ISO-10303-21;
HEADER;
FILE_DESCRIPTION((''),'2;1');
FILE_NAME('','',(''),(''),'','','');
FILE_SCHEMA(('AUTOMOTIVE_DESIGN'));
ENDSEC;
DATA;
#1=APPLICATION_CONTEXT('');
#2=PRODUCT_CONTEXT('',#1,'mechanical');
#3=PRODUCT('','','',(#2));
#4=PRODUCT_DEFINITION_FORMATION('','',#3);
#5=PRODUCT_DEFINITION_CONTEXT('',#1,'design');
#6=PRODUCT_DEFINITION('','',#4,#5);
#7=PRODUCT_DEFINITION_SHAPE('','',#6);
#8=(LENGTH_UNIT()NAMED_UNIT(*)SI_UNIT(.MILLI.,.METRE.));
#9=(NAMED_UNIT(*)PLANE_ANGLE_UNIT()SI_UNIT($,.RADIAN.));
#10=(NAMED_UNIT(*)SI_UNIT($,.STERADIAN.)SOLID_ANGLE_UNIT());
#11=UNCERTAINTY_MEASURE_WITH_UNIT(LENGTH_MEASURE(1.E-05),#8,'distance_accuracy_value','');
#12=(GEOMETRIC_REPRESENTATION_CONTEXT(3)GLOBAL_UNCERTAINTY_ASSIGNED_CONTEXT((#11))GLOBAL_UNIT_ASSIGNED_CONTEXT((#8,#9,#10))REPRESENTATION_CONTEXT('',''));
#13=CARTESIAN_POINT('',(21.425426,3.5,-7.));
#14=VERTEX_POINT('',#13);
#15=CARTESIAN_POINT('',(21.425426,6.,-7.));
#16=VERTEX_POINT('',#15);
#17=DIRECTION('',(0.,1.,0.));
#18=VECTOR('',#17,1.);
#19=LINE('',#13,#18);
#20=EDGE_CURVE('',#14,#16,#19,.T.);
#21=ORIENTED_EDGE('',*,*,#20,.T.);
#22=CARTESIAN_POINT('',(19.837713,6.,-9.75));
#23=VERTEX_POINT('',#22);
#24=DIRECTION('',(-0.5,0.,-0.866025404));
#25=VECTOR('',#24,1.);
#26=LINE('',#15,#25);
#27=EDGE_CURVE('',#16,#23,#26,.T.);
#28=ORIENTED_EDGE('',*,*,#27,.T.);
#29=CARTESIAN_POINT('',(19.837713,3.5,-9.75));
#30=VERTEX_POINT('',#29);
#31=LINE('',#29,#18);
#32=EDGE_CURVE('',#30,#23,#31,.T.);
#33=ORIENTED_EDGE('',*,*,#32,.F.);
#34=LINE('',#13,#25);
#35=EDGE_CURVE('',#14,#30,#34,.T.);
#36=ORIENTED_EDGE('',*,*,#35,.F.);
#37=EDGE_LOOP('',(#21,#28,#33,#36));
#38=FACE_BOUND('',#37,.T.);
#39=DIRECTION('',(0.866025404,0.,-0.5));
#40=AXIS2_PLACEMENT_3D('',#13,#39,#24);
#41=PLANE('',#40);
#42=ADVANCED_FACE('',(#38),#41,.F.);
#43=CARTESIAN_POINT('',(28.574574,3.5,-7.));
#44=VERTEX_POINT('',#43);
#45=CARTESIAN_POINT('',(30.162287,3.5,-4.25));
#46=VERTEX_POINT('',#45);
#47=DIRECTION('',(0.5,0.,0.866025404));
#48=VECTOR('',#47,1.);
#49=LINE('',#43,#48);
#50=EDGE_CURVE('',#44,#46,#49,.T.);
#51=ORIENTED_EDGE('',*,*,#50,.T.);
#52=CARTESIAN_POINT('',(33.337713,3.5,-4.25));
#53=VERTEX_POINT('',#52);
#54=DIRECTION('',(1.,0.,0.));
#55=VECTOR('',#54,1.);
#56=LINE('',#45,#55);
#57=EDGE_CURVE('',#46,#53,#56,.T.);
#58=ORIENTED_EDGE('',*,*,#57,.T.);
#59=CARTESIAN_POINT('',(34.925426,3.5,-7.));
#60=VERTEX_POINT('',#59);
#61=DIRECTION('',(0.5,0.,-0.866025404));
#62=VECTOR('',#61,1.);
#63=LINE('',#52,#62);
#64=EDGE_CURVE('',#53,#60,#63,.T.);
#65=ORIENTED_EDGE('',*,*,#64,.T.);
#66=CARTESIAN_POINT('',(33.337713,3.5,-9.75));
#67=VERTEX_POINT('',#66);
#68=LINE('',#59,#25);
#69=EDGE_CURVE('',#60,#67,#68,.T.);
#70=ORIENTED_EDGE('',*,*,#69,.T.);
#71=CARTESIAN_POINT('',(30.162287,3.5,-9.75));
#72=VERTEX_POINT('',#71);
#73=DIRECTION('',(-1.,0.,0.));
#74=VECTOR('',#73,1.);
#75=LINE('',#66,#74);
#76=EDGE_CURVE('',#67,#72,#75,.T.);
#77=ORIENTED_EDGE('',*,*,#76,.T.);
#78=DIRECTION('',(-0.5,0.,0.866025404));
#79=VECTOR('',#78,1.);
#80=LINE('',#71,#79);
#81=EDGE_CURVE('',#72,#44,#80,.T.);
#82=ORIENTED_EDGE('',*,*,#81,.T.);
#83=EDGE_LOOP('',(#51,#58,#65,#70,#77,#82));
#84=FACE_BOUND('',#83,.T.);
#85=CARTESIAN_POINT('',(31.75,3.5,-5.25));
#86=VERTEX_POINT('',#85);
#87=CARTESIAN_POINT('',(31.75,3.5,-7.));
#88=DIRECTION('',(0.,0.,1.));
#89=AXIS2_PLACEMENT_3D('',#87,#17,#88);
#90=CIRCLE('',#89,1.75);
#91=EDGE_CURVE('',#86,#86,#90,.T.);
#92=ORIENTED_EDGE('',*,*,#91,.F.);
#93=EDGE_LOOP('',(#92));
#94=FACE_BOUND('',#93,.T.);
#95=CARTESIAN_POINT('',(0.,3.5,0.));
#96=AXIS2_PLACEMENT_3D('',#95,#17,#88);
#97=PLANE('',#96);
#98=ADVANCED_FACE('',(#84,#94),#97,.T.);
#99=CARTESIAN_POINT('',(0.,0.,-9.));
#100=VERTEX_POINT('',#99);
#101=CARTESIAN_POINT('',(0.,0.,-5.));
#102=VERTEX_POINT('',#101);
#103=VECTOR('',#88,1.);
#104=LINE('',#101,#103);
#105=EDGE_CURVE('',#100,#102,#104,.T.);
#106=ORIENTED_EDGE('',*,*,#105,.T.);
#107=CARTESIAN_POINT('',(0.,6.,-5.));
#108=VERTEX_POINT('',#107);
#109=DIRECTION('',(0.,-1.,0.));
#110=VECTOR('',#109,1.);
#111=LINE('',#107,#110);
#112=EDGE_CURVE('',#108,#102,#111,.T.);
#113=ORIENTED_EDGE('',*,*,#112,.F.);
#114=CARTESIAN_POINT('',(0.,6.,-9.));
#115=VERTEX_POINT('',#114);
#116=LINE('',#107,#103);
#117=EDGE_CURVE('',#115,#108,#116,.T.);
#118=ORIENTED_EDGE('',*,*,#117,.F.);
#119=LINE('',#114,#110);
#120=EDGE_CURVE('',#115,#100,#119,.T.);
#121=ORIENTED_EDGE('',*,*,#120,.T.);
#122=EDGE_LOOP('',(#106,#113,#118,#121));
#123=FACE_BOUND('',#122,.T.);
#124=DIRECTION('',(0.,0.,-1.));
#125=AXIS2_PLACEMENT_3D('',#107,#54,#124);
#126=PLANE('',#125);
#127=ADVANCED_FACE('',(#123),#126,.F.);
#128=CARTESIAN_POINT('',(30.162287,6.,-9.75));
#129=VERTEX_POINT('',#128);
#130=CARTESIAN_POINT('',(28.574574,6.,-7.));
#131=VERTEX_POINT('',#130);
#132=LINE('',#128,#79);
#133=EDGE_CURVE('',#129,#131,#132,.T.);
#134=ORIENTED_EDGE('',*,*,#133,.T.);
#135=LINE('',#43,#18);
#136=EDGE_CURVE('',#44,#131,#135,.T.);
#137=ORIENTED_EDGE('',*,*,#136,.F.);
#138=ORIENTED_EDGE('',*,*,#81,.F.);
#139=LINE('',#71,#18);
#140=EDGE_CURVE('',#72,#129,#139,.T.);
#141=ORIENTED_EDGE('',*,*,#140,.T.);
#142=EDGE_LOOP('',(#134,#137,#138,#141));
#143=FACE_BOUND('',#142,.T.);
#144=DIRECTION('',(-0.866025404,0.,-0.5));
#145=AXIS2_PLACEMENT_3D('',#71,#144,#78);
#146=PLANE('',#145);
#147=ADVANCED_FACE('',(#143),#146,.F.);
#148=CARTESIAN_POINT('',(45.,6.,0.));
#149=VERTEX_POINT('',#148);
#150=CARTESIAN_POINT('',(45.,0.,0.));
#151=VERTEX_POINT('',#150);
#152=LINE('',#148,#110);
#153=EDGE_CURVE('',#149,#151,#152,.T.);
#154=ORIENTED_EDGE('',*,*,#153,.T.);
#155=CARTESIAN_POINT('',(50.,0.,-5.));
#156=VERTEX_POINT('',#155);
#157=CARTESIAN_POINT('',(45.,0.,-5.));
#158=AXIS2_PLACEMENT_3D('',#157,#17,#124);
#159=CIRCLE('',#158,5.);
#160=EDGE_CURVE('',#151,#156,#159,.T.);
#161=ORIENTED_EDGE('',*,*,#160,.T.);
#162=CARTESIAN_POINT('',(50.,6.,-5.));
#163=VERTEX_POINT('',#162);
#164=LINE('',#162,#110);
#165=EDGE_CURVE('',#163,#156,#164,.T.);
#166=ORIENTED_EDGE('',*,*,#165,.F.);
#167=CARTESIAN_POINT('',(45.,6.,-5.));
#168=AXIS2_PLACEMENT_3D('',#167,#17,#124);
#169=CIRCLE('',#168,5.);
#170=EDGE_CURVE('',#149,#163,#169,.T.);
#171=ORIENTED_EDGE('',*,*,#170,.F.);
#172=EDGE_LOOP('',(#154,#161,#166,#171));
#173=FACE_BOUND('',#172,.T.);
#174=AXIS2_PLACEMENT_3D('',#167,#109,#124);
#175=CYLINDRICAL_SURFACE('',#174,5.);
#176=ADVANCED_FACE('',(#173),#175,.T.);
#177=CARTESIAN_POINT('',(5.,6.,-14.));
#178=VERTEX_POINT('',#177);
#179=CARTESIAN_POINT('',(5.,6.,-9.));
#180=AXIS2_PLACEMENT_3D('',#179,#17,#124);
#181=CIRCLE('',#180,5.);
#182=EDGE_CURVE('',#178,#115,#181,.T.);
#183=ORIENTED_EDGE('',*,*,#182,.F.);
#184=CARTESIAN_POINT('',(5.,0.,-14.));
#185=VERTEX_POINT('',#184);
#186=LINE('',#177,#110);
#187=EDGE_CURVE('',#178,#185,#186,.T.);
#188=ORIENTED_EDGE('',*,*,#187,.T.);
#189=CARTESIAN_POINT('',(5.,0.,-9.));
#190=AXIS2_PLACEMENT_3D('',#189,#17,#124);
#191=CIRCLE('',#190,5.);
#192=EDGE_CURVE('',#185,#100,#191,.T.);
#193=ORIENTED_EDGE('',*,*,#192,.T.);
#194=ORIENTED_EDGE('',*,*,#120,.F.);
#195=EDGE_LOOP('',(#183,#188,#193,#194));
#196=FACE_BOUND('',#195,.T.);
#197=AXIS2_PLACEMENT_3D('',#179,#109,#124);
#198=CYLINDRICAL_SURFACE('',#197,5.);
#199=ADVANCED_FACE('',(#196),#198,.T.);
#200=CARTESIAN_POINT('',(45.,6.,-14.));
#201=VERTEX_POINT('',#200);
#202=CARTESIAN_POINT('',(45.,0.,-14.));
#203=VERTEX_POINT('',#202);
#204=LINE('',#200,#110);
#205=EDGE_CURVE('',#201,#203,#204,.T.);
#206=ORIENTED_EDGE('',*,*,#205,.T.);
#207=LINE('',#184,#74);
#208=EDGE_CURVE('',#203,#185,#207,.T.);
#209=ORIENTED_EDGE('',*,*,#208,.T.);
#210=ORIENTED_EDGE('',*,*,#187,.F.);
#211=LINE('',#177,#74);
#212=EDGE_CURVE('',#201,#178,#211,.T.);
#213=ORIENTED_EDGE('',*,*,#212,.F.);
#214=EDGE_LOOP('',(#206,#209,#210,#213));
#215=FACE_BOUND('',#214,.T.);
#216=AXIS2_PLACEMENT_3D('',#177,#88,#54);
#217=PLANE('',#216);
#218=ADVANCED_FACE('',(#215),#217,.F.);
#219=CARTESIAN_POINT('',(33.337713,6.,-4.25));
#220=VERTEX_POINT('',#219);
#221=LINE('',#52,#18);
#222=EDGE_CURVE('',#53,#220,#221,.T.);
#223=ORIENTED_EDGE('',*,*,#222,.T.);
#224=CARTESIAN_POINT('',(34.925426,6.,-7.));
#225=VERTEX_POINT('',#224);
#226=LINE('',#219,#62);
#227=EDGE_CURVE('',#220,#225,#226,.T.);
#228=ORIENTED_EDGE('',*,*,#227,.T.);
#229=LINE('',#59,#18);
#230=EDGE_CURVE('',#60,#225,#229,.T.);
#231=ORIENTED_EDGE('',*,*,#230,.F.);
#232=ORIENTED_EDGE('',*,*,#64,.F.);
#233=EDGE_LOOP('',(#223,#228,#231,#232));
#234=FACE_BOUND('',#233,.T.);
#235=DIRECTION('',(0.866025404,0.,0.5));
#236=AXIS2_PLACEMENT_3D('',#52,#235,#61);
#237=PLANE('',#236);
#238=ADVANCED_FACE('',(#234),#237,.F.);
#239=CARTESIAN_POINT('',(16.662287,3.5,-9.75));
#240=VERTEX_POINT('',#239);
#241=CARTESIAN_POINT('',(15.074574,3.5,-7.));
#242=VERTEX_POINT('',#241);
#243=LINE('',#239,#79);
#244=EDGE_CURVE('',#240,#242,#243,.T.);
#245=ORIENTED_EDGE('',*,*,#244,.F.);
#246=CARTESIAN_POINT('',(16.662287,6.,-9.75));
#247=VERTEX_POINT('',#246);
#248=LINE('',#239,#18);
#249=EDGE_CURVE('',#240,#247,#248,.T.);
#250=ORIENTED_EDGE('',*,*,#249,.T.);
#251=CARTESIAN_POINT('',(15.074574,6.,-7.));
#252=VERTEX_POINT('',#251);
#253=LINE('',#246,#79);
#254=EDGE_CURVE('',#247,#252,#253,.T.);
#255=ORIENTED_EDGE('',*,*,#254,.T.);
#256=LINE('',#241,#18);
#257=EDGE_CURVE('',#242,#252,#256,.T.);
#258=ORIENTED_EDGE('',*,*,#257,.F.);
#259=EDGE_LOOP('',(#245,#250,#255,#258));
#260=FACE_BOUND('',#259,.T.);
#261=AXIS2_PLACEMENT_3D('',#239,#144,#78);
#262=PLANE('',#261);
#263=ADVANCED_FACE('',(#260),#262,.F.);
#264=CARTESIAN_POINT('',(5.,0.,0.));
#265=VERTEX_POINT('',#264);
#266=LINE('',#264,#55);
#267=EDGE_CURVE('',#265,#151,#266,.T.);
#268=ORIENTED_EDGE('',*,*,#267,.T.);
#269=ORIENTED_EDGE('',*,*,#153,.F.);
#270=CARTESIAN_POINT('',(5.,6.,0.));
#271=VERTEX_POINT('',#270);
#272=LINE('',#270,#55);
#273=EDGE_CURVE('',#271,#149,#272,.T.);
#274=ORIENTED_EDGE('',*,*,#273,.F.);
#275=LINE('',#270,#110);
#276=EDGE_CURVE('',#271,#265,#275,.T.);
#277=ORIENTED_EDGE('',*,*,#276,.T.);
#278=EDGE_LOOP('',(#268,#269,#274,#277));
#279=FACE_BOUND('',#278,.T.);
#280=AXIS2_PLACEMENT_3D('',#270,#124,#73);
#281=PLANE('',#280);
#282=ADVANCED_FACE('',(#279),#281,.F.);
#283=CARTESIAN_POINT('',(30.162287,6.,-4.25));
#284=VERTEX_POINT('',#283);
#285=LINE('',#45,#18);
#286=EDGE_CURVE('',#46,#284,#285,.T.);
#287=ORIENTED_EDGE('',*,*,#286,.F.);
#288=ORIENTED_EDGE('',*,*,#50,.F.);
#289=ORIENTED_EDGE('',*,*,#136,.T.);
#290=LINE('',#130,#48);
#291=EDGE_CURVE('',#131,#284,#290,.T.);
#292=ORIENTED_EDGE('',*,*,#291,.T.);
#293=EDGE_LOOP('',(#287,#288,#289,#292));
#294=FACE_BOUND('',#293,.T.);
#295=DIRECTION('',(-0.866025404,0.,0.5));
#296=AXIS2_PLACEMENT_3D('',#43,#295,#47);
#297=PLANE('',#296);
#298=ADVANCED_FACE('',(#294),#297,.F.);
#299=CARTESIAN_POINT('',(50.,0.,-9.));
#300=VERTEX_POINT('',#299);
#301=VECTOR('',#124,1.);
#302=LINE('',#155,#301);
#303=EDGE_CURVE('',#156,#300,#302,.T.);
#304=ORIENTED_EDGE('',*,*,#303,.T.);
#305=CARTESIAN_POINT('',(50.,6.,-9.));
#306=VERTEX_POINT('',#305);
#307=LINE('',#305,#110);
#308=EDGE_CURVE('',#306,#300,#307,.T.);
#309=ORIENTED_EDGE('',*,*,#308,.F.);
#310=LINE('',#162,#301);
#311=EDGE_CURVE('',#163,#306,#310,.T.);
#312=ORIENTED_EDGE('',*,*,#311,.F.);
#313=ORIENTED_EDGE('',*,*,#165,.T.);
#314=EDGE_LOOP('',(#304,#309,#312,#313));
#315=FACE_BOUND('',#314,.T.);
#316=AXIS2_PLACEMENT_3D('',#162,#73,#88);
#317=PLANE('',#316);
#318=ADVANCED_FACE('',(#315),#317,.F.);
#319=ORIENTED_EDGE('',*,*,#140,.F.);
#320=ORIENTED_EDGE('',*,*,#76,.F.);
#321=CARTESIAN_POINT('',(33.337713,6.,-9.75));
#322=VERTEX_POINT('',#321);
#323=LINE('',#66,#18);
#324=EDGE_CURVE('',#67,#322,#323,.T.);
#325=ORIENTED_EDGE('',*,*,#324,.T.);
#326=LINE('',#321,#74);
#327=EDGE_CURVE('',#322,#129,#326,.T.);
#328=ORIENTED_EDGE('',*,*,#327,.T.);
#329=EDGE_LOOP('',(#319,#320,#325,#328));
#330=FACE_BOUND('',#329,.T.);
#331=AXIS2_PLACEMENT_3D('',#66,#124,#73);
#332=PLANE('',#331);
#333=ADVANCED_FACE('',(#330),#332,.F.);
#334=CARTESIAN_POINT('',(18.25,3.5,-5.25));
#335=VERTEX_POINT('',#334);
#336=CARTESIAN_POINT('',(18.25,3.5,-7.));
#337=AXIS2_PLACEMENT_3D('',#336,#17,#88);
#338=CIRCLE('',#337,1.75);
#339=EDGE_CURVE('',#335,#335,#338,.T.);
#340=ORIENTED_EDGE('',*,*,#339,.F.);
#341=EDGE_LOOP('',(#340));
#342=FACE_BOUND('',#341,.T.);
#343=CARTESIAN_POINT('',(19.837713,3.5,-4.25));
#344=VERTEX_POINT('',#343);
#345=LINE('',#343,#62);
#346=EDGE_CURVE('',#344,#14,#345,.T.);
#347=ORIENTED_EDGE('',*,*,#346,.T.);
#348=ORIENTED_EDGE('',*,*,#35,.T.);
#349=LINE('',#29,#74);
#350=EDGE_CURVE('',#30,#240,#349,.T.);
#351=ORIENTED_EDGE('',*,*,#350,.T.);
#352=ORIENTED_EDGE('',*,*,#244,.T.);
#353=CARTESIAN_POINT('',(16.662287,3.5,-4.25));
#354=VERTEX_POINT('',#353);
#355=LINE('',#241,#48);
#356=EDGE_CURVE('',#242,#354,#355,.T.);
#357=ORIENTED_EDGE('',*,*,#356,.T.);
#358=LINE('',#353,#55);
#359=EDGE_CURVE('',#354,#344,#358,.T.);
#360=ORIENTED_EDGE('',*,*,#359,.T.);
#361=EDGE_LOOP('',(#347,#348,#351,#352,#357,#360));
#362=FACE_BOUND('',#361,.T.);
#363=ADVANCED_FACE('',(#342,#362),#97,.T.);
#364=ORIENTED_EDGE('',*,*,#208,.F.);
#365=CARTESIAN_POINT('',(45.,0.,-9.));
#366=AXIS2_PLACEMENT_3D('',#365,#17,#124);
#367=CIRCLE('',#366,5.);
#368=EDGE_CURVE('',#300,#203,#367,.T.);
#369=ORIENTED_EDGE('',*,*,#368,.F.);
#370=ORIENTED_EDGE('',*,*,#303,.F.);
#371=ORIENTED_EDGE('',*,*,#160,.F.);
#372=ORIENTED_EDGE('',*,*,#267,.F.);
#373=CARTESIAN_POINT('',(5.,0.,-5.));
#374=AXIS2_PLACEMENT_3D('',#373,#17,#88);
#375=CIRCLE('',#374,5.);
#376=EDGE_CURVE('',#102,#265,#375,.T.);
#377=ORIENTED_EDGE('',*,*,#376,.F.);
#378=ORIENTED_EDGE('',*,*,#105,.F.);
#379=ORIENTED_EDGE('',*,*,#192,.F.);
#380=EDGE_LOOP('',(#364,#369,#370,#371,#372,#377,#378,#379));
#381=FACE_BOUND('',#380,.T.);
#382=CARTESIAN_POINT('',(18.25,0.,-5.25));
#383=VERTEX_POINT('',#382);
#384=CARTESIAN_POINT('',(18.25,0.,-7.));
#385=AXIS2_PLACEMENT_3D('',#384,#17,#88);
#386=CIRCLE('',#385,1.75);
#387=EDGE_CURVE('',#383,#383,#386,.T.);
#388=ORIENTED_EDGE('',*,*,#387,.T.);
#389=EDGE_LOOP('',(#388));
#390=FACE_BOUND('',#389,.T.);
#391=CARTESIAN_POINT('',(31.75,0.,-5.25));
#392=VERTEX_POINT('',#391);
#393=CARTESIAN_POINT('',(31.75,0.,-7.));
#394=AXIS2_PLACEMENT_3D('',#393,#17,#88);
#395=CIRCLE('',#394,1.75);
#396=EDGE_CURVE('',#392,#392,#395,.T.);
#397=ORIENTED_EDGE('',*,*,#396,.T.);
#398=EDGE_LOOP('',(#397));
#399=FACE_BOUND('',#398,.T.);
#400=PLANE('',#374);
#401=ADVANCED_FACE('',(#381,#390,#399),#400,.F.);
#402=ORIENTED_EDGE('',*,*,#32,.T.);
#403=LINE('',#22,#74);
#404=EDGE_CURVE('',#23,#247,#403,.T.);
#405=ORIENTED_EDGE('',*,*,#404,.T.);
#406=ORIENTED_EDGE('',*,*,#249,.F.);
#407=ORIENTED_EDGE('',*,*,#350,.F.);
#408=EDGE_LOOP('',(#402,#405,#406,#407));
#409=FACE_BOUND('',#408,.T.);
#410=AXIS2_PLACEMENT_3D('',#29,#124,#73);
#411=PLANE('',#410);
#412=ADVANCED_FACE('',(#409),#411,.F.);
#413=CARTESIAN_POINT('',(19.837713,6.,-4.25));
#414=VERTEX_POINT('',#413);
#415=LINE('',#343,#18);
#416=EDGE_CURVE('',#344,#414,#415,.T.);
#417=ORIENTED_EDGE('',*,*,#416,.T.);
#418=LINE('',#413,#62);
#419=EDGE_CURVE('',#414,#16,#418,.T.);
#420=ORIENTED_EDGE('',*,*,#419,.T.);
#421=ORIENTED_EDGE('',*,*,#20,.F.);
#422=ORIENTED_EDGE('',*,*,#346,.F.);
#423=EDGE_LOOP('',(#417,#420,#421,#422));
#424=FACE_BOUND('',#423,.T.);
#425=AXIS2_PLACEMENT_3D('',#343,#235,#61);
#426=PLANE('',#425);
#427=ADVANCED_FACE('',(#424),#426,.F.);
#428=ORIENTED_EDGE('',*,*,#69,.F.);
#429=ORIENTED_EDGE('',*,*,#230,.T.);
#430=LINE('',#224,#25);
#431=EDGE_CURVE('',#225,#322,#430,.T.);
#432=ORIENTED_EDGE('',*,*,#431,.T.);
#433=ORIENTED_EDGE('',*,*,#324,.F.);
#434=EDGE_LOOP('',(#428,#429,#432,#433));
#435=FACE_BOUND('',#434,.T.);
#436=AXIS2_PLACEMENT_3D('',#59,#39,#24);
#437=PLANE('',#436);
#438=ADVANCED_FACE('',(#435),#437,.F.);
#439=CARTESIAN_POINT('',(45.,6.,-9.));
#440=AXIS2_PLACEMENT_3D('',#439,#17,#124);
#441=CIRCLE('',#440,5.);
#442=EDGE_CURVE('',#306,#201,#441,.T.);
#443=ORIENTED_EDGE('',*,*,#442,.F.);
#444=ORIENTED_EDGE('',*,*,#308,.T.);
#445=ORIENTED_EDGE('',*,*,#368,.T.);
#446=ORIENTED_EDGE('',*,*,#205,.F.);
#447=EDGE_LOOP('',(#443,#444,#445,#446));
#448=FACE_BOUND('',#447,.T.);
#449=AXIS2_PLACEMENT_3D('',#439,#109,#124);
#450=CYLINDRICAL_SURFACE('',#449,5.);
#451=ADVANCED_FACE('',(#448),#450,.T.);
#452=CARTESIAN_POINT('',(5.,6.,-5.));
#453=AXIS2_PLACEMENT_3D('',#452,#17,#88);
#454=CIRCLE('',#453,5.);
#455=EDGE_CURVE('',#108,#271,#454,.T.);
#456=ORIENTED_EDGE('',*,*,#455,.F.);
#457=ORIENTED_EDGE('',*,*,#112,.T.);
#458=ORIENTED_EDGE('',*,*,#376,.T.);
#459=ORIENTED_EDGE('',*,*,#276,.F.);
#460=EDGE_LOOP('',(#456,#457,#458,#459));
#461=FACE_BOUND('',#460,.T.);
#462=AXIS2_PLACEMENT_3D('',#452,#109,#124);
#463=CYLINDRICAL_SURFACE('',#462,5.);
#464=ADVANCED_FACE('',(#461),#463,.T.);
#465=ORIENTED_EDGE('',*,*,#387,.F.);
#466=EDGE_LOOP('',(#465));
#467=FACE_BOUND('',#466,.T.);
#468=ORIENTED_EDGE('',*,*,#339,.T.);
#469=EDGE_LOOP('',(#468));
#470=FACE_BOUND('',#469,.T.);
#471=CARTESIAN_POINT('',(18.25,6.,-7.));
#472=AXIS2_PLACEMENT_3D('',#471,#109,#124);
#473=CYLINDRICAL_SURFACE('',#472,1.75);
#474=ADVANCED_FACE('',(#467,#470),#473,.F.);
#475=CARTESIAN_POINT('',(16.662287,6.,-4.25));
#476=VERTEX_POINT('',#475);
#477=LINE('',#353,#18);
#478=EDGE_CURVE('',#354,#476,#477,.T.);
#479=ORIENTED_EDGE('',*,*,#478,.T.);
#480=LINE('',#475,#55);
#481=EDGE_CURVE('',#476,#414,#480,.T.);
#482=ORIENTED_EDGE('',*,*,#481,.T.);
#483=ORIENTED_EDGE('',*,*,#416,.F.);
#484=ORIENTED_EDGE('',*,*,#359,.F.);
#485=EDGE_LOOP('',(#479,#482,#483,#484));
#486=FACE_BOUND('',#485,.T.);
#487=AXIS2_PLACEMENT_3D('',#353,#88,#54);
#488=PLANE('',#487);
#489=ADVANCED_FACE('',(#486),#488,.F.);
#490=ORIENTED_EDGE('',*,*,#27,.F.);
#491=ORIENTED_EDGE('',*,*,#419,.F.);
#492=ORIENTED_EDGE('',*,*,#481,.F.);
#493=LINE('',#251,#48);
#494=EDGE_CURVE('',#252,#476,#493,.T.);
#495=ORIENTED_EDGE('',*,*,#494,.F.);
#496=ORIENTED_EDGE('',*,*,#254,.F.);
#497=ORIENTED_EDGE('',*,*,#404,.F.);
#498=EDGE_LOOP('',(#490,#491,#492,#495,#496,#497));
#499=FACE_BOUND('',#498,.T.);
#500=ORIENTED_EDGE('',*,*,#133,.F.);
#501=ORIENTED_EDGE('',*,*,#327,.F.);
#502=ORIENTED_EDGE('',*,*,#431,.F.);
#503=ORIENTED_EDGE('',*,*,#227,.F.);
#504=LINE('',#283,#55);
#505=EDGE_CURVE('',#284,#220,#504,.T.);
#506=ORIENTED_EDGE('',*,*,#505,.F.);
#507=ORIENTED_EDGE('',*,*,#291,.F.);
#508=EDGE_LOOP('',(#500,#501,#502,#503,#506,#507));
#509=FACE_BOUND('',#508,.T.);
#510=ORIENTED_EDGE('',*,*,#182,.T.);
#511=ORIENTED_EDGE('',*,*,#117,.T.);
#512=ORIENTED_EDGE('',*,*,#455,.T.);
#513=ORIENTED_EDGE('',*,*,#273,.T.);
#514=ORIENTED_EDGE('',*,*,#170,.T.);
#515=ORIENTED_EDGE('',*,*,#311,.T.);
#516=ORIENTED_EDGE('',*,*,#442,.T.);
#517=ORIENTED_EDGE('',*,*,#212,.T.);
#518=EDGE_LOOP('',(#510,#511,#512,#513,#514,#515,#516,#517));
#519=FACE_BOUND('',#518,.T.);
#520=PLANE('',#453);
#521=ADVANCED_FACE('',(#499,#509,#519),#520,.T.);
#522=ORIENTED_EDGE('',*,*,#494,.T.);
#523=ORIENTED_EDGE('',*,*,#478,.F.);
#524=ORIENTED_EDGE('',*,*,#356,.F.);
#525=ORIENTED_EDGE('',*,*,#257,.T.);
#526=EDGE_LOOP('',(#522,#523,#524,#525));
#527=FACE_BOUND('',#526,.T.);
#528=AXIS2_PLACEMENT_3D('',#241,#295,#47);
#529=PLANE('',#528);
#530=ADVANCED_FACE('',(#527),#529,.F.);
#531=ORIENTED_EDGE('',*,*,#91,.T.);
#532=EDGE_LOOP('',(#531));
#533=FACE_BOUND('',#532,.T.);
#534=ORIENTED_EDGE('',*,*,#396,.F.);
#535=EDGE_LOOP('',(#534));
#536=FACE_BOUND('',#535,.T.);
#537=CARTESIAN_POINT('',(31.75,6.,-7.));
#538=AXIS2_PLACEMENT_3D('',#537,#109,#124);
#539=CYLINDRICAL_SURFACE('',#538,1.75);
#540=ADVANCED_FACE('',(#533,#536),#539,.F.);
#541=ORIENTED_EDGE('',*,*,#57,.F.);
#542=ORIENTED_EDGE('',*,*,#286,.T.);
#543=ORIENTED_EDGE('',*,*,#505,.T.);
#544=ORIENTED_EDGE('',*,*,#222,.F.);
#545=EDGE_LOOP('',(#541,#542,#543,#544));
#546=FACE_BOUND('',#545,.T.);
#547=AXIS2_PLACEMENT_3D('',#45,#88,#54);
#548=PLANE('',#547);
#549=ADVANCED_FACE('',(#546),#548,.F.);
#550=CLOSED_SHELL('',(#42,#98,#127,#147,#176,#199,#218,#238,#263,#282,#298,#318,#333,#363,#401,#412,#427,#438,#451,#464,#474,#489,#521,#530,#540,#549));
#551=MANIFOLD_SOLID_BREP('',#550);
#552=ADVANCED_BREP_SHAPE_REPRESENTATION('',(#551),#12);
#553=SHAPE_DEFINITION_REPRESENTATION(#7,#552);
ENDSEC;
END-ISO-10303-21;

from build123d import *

# Parameters (mm, degrees)
SKETCH1_R           = 1.75
BOSS_EXTRUDE1_DEPTH = 6
CUT_EXTRUDE1_DEPTH  = 2.5


with BuildPart() as part:
    # Sketch1 → Boss-Extrude1 (new body)
    with BuildSketch(Plane(origin=(0, 0, 0), x_dir=(1, 0, 0), z_dir=(0, 1, 0))):
        with BuildLine():
            Line((5, 0), (45, 0))
            ThreePointArc((45, 0), (48.535533906, 1.464466094), (50, 5))
            Line((50, 5), (50, 9))
            ThreePointArc((50, 9), (48.535533906, 12.535533906), (45, 14))
            Line((45, 14), (5, 14))
            ThreePointArc((5, 14), (1.464466094, 12.535533906), (0, 9))
            Line((0, 9), (0, 5))
            ThreePointArc((0, 5), (1.464466094, 1.464466094), (5, 0))
        make_face()
        with Locations((18.25, 7)):
            Circle(SKETCH1_R, mode=Mode.SUBTRACT)
        with Locations((31.75, 7)):
            Circle(SKETCH1_R, mode=Mode.SUBTRACT)
    extrude(amount=BOSS_EXTRUDE1_DEPTH)

    # Sketch2 → Cut-Extrude1 (cut)
    with BuildSketch(Plane(origin=(0, 6, 0), x_dir=(1, 0, 0), z_dir=(0, 1, 0))):
        Polygon((19.83771324, 4.25), (21.425426481, 7), (19.83771324, 9.75), (16.66228676, 9.75), (15.074573519, 7), (16.66228676, 4.25), align=None)
        Polygon((33.33771324, 4.25), (34.925426481, 7), (33.33771324, 9.75), (30.16228676, 9.75), (28.574573519, 7), (30.16228676, 4.25), align=None)
    extrude(amount=-CUT_EXTRUDE1_DEPTH, mode=Mode.SUBTRACT)


solid = part.part
